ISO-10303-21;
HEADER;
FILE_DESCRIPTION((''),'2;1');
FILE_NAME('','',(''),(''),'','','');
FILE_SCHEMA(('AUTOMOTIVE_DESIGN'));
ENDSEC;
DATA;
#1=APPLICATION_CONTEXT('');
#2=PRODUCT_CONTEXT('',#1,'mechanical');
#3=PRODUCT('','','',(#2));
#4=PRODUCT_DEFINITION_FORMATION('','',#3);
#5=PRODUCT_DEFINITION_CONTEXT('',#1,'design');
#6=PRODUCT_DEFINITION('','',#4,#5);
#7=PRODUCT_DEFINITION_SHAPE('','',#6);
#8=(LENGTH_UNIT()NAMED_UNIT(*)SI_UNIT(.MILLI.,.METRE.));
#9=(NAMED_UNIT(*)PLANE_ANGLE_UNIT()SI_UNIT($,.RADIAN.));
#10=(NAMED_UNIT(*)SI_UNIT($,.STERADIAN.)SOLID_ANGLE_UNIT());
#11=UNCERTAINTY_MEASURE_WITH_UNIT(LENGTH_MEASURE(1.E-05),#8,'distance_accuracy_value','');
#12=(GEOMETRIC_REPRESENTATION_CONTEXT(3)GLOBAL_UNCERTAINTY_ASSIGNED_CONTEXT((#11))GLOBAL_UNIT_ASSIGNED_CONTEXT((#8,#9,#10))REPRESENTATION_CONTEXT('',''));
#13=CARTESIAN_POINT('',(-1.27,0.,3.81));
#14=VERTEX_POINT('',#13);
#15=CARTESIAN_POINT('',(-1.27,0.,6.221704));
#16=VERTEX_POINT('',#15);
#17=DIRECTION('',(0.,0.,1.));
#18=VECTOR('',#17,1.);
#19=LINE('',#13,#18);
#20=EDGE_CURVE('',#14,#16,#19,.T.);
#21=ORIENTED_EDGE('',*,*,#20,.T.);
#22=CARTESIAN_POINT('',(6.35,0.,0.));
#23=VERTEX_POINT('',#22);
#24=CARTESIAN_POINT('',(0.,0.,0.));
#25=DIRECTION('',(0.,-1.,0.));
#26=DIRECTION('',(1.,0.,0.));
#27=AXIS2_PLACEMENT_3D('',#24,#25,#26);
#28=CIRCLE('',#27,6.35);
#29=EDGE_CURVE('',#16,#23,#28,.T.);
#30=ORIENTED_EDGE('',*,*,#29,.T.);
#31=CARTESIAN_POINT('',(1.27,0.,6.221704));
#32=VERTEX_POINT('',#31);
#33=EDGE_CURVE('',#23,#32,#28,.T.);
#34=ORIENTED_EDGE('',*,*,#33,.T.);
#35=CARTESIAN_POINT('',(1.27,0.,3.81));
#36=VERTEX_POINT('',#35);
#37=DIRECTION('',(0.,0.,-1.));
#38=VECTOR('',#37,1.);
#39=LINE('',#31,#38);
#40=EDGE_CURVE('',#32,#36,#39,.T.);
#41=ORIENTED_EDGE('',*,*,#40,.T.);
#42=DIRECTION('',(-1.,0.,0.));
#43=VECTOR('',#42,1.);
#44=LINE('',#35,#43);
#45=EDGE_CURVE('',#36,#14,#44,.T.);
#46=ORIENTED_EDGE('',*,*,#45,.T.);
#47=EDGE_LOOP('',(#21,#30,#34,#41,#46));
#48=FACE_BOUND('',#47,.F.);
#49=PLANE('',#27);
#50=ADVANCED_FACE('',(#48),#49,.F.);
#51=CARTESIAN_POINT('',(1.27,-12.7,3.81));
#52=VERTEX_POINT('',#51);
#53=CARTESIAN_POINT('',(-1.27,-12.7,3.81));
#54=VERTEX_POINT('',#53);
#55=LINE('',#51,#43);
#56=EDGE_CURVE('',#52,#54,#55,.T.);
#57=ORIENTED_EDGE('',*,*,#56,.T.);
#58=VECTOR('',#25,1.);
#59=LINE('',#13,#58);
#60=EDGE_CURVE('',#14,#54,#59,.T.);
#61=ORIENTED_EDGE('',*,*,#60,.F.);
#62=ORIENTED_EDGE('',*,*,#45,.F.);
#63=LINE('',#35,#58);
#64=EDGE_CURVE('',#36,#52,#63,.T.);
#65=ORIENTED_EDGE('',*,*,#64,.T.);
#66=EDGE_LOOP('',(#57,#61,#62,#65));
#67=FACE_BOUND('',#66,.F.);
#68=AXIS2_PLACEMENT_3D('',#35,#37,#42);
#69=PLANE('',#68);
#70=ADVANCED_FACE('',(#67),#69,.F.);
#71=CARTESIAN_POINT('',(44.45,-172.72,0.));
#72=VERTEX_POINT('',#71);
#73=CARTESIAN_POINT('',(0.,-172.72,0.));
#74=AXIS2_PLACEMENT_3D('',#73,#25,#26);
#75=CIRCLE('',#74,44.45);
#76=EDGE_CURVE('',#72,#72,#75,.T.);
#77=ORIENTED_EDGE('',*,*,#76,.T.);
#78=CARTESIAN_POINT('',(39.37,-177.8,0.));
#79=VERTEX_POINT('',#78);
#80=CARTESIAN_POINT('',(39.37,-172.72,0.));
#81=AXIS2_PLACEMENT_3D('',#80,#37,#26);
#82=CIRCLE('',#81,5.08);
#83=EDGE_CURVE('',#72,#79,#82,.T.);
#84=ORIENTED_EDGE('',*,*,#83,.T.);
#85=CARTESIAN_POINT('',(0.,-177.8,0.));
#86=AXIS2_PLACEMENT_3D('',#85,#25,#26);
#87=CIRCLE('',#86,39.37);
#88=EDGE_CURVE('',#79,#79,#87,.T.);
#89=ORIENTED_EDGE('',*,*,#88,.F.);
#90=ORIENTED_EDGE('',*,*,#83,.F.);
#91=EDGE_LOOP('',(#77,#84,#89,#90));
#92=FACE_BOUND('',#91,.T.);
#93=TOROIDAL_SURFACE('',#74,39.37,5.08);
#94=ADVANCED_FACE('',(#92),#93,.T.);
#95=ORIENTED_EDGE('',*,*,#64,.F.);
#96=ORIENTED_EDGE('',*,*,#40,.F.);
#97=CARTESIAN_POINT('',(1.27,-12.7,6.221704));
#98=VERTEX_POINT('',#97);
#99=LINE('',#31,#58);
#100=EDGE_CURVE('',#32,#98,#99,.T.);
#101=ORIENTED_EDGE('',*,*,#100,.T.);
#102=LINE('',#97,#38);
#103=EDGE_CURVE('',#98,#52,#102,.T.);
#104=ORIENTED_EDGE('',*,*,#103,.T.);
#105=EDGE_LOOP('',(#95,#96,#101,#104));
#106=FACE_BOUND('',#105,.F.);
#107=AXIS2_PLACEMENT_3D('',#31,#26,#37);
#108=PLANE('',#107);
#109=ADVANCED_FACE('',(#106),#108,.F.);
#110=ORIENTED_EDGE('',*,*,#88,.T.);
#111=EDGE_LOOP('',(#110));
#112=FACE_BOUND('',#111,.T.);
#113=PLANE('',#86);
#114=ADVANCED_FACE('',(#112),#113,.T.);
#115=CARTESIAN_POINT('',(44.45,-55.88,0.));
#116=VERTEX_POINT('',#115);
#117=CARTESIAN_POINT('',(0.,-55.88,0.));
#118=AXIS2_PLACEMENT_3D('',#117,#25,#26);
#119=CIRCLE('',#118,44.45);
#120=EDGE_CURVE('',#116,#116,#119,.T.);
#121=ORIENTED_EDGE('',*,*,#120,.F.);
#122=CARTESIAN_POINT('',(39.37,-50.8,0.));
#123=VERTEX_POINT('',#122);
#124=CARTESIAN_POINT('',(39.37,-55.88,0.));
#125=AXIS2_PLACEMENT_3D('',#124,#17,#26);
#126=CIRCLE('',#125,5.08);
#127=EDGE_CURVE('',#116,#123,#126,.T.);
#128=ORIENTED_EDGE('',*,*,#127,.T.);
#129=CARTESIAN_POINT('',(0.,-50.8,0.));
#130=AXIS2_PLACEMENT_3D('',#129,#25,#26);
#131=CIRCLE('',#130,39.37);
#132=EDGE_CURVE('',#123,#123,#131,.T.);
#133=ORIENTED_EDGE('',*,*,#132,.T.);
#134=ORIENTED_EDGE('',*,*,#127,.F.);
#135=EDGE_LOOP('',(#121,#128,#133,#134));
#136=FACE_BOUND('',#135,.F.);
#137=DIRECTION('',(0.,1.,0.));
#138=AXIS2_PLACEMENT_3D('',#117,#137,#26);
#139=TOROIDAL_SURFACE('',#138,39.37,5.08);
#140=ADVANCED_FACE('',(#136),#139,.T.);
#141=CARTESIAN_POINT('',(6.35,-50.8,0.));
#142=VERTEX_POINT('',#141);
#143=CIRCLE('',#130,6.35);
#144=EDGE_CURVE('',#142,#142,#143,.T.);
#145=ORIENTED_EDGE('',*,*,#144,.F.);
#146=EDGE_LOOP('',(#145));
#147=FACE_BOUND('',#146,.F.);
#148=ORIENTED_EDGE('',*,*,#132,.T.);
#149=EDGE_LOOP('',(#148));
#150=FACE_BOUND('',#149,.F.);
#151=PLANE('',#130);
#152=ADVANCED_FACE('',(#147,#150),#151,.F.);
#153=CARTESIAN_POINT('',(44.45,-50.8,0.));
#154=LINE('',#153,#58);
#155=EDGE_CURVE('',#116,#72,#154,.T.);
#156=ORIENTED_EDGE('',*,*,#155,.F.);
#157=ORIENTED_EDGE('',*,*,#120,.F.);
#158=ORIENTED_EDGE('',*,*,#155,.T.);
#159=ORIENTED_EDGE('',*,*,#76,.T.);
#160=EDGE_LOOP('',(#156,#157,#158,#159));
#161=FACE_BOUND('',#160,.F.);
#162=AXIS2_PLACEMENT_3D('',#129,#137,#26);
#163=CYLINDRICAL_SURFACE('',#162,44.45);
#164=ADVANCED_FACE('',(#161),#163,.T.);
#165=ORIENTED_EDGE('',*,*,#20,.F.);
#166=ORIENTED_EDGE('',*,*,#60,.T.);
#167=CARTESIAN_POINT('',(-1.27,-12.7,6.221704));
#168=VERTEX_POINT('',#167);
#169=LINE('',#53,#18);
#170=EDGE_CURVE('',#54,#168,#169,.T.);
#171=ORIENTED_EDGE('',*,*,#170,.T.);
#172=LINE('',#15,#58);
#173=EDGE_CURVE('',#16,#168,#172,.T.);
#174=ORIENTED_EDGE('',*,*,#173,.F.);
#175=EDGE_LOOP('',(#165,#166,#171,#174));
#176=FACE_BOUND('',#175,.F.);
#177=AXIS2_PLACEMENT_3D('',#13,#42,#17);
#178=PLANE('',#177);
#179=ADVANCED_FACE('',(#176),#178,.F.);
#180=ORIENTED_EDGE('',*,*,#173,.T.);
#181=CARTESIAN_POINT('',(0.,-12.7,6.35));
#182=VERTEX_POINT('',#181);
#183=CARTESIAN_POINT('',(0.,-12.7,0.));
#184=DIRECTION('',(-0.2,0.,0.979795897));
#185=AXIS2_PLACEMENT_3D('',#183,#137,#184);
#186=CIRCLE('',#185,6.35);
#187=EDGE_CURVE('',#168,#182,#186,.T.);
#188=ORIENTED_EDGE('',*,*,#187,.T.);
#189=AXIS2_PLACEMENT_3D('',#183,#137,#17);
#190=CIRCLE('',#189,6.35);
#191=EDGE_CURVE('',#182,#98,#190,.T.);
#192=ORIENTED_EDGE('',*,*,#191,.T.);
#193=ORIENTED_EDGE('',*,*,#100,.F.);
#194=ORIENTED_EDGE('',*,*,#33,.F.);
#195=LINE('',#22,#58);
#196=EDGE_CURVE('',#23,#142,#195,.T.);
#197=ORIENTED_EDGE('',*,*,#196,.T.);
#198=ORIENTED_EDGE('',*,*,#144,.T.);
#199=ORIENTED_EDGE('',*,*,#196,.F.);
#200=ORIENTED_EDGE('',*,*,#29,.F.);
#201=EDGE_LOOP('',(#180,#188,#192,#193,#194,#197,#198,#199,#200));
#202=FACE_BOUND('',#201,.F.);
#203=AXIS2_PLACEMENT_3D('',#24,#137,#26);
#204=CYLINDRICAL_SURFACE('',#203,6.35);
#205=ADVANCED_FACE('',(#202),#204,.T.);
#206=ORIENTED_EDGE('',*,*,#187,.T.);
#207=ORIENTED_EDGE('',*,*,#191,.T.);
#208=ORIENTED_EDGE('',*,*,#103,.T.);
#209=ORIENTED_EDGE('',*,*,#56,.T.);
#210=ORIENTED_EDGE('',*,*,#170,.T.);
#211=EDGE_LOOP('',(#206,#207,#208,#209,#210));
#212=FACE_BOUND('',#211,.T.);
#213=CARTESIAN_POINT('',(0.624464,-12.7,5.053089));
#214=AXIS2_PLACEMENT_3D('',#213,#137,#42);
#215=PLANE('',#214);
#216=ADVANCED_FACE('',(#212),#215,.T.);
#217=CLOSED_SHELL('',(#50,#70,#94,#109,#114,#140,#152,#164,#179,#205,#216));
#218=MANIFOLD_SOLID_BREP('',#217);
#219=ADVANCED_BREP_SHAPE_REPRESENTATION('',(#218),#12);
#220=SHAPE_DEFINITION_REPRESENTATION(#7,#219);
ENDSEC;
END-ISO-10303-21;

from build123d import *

# Parameters (mm, degrees)
F0_R     = 6.35
F1_DEPTH = 50.8
F2_R     = 44.45
F3_DEPTH = 127
F4_R     = 5.08
F5_R     = 5.08
F7_DEPTH = 12.7


with BuildPart() as f1:
    # F0 (on Front) → F1 (new body)
    with BuildSketch(Plane.XZ):
        Circle(F0_R)
    extrude(amount=F1_DEPTH)

    # F2 (on face) → F3 (join)
    with BuildSketch(Plane.XZ.offset(50.8)):
        Circle(F2_R)
    extrude(amount=F3_DEPTH)

    # F4
    f4_edges = [f1.edges().sort_by_distance(p)[0] for p in [
        (-44.45, -50.8, 0),
    ]]
    fillet(f4_edges, radius=F4_R)

    # F5
    f5_edges = [f1.edges().sort_by_distance(p)[0] for p in [
        (-44.45, -177.8, 0),
    ]]
    fillet(f5_edges, radius=F5_R)

    # F6 (on face) → F7 (cut)
    with BuildSketch(Plane(origin=(0, 0, 0), x_dir=(-1, 0, 0), z_dir=(0, 1, 0))):
        with BuildLine():
            ThreePointArc((0, 6.35), (-0.6382319087, 6.3178445716), (-1.27, 6.2217039467))
            Line((-1.27, 6.2217039467), (-1.27, 3.81))
            Line((-1.27, 3.81), (0, 3.81))
            Line((0, 3.81), (0, 6.35))
        make_face()
        with BuildLine():
            Line((1.27, 3.81), (1.27, 6.2217039467))
            ThreePointArc((1.27, 6.2217039467), (0.6382319087, 6.3178445716), (0, 6.35))
            Line((0, 6.35), (0, 3.81))
            Line((0, 3.81), (1.27, 3.81))
        make_face()
    extrude(amount=-F7_DEPTH, mode=Mode.SUBTRACT)


solid = f1.part
